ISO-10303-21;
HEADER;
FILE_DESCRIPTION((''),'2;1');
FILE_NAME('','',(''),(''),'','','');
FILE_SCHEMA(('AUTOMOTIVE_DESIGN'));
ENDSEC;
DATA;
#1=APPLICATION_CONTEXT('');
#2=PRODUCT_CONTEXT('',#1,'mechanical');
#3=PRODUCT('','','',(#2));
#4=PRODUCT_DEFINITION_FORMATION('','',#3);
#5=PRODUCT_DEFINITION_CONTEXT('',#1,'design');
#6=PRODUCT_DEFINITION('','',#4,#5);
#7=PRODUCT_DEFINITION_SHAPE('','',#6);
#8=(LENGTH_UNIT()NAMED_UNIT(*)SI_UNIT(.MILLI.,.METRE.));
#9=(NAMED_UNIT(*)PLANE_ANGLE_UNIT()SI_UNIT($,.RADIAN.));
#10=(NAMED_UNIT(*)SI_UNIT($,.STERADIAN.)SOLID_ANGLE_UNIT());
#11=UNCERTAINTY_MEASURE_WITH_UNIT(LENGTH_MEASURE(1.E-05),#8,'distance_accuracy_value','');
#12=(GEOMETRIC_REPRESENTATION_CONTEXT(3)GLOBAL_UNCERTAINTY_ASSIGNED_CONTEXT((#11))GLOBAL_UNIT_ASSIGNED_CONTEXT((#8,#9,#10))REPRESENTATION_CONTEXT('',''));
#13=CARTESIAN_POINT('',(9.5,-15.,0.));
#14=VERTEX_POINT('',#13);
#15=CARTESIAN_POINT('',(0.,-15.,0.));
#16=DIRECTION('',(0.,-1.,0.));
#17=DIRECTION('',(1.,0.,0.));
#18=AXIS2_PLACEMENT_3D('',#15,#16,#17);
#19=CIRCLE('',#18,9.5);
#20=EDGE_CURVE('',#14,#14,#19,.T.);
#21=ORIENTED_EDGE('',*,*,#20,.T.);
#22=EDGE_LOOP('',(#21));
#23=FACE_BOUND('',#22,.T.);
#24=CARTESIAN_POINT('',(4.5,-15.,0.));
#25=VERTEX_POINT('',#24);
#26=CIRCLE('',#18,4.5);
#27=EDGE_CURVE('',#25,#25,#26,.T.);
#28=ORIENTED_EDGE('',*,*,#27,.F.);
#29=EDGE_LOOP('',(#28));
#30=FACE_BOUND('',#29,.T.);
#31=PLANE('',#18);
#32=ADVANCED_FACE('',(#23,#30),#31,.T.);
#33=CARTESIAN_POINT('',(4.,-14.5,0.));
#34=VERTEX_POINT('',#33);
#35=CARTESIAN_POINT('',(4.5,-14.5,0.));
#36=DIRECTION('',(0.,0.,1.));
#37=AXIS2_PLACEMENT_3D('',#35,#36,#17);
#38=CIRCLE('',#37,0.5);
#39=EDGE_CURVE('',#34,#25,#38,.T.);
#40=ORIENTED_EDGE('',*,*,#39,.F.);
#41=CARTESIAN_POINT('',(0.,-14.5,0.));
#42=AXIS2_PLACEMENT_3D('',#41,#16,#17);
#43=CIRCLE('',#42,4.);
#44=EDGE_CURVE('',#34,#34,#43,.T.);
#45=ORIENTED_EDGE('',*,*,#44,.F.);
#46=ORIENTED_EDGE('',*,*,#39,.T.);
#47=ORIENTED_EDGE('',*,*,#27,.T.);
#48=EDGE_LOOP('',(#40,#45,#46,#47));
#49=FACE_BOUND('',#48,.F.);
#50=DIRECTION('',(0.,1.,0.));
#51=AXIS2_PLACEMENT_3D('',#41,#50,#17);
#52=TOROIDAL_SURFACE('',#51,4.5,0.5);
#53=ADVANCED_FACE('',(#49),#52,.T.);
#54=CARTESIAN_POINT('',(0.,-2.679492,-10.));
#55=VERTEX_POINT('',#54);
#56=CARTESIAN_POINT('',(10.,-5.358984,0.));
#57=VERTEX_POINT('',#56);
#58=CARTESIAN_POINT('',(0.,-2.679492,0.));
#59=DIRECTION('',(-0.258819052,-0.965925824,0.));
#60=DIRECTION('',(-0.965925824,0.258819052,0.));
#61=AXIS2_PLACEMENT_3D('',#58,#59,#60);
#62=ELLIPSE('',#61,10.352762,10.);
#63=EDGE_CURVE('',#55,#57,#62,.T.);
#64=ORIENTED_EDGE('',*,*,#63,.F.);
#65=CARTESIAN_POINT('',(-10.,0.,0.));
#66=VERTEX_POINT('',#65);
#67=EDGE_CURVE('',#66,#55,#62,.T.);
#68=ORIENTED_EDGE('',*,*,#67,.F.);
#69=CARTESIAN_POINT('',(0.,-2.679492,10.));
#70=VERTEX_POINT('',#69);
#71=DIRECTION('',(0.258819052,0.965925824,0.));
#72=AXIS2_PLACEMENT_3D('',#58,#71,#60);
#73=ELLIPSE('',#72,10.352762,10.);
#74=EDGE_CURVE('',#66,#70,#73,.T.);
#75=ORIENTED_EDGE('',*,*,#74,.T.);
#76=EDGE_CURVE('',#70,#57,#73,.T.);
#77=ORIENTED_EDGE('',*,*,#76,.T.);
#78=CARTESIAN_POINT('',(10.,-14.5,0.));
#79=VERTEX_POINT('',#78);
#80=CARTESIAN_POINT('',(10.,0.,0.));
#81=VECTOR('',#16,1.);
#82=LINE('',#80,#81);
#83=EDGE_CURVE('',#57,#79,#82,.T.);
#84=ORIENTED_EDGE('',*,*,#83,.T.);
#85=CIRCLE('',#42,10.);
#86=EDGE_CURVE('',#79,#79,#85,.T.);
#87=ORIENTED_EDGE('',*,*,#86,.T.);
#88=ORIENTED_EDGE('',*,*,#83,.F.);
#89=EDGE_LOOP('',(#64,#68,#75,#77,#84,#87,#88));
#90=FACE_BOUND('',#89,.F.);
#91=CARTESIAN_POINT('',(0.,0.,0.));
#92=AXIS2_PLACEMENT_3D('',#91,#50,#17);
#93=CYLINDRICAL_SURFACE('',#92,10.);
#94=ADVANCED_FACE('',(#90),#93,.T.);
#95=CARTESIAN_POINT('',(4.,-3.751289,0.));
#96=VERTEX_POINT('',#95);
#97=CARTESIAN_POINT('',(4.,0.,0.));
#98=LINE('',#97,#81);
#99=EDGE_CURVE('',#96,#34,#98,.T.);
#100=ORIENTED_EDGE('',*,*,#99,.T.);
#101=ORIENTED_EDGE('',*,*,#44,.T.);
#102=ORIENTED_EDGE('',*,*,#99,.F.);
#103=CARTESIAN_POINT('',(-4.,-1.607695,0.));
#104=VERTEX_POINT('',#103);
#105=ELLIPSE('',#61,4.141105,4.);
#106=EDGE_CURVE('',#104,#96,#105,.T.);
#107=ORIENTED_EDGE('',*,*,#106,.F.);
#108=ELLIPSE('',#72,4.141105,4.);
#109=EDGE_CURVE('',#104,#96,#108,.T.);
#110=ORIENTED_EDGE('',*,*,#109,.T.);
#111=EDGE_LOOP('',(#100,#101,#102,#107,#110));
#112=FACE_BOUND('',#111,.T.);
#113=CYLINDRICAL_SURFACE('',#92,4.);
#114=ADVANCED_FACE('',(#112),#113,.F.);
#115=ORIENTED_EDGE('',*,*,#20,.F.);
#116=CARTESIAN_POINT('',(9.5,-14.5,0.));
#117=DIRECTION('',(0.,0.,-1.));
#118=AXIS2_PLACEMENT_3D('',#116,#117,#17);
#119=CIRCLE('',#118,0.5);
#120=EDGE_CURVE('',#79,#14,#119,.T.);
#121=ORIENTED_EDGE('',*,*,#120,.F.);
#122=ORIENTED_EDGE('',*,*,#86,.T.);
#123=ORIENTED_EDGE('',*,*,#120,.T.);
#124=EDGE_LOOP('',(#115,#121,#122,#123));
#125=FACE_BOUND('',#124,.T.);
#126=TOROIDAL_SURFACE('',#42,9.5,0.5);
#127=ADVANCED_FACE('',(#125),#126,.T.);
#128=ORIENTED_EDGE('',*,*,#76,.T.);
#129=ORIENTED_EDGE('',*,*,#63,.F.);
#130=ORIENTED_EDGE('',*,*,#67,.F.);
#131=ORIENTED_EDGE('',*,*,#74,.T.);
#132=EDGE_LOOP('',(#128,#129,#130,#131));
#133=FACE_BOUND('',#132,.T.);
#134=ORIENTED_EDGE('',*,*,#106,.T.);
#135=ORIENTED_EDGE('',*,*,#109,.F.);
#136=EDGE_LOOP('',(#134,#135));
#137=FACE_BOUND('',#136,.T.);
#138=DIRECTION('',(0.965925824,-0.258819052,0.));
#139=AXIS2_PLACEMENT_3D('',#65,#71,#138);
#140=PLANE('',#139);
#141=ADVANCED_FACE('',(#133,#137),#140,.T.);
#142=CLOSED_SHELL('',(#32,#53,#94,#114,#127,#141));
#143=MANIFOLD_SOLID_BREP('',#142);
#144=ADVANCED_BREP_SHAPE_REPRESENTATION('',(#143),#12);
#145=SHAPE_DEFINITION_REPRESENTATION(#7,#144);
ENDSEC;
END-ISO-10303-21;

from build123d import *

# Parameters (mm, degrees)
F0_R          = 10
F0_R_2        = 4
F1_DEPTH      = 15
F2_R          = 0.5
F4_DEPTH      = 10
F4_DEPTH_BACK = 10


with BuildPart() as f1:
    # F0 (on Front) → F1 (new body)
    with BuildSketch(Plane.XZ):
        Circle(F0_R)
        Circle(F0_R_2, mode=Mode.SUBTRACT)
    extrude(amount=F1_DEPTH)

    # F2
    f2_edges = [f1.edges().sort_by_distance(p)[0] for p in [
        (-10, -15, 0),
        (-4, -15, 0),
    ]]
    fillet(f2_edges, radius=F2_R)

    # F3 (on Top) → F4 (cut, two sides)
    with BuildSketch(Plane.XY) as f4_sk:
        Polygon((10, 0), (-10, 0), (10, -5.358984), align=None)
    extrude(amount=F4_DEPTH, mode=Mode.SUBTRACT)
    extrude(f4_sk.sketch, amount=-F4_DEPTH_BACK, mode=Mode.SUBTRACT)


solid = f1.part
